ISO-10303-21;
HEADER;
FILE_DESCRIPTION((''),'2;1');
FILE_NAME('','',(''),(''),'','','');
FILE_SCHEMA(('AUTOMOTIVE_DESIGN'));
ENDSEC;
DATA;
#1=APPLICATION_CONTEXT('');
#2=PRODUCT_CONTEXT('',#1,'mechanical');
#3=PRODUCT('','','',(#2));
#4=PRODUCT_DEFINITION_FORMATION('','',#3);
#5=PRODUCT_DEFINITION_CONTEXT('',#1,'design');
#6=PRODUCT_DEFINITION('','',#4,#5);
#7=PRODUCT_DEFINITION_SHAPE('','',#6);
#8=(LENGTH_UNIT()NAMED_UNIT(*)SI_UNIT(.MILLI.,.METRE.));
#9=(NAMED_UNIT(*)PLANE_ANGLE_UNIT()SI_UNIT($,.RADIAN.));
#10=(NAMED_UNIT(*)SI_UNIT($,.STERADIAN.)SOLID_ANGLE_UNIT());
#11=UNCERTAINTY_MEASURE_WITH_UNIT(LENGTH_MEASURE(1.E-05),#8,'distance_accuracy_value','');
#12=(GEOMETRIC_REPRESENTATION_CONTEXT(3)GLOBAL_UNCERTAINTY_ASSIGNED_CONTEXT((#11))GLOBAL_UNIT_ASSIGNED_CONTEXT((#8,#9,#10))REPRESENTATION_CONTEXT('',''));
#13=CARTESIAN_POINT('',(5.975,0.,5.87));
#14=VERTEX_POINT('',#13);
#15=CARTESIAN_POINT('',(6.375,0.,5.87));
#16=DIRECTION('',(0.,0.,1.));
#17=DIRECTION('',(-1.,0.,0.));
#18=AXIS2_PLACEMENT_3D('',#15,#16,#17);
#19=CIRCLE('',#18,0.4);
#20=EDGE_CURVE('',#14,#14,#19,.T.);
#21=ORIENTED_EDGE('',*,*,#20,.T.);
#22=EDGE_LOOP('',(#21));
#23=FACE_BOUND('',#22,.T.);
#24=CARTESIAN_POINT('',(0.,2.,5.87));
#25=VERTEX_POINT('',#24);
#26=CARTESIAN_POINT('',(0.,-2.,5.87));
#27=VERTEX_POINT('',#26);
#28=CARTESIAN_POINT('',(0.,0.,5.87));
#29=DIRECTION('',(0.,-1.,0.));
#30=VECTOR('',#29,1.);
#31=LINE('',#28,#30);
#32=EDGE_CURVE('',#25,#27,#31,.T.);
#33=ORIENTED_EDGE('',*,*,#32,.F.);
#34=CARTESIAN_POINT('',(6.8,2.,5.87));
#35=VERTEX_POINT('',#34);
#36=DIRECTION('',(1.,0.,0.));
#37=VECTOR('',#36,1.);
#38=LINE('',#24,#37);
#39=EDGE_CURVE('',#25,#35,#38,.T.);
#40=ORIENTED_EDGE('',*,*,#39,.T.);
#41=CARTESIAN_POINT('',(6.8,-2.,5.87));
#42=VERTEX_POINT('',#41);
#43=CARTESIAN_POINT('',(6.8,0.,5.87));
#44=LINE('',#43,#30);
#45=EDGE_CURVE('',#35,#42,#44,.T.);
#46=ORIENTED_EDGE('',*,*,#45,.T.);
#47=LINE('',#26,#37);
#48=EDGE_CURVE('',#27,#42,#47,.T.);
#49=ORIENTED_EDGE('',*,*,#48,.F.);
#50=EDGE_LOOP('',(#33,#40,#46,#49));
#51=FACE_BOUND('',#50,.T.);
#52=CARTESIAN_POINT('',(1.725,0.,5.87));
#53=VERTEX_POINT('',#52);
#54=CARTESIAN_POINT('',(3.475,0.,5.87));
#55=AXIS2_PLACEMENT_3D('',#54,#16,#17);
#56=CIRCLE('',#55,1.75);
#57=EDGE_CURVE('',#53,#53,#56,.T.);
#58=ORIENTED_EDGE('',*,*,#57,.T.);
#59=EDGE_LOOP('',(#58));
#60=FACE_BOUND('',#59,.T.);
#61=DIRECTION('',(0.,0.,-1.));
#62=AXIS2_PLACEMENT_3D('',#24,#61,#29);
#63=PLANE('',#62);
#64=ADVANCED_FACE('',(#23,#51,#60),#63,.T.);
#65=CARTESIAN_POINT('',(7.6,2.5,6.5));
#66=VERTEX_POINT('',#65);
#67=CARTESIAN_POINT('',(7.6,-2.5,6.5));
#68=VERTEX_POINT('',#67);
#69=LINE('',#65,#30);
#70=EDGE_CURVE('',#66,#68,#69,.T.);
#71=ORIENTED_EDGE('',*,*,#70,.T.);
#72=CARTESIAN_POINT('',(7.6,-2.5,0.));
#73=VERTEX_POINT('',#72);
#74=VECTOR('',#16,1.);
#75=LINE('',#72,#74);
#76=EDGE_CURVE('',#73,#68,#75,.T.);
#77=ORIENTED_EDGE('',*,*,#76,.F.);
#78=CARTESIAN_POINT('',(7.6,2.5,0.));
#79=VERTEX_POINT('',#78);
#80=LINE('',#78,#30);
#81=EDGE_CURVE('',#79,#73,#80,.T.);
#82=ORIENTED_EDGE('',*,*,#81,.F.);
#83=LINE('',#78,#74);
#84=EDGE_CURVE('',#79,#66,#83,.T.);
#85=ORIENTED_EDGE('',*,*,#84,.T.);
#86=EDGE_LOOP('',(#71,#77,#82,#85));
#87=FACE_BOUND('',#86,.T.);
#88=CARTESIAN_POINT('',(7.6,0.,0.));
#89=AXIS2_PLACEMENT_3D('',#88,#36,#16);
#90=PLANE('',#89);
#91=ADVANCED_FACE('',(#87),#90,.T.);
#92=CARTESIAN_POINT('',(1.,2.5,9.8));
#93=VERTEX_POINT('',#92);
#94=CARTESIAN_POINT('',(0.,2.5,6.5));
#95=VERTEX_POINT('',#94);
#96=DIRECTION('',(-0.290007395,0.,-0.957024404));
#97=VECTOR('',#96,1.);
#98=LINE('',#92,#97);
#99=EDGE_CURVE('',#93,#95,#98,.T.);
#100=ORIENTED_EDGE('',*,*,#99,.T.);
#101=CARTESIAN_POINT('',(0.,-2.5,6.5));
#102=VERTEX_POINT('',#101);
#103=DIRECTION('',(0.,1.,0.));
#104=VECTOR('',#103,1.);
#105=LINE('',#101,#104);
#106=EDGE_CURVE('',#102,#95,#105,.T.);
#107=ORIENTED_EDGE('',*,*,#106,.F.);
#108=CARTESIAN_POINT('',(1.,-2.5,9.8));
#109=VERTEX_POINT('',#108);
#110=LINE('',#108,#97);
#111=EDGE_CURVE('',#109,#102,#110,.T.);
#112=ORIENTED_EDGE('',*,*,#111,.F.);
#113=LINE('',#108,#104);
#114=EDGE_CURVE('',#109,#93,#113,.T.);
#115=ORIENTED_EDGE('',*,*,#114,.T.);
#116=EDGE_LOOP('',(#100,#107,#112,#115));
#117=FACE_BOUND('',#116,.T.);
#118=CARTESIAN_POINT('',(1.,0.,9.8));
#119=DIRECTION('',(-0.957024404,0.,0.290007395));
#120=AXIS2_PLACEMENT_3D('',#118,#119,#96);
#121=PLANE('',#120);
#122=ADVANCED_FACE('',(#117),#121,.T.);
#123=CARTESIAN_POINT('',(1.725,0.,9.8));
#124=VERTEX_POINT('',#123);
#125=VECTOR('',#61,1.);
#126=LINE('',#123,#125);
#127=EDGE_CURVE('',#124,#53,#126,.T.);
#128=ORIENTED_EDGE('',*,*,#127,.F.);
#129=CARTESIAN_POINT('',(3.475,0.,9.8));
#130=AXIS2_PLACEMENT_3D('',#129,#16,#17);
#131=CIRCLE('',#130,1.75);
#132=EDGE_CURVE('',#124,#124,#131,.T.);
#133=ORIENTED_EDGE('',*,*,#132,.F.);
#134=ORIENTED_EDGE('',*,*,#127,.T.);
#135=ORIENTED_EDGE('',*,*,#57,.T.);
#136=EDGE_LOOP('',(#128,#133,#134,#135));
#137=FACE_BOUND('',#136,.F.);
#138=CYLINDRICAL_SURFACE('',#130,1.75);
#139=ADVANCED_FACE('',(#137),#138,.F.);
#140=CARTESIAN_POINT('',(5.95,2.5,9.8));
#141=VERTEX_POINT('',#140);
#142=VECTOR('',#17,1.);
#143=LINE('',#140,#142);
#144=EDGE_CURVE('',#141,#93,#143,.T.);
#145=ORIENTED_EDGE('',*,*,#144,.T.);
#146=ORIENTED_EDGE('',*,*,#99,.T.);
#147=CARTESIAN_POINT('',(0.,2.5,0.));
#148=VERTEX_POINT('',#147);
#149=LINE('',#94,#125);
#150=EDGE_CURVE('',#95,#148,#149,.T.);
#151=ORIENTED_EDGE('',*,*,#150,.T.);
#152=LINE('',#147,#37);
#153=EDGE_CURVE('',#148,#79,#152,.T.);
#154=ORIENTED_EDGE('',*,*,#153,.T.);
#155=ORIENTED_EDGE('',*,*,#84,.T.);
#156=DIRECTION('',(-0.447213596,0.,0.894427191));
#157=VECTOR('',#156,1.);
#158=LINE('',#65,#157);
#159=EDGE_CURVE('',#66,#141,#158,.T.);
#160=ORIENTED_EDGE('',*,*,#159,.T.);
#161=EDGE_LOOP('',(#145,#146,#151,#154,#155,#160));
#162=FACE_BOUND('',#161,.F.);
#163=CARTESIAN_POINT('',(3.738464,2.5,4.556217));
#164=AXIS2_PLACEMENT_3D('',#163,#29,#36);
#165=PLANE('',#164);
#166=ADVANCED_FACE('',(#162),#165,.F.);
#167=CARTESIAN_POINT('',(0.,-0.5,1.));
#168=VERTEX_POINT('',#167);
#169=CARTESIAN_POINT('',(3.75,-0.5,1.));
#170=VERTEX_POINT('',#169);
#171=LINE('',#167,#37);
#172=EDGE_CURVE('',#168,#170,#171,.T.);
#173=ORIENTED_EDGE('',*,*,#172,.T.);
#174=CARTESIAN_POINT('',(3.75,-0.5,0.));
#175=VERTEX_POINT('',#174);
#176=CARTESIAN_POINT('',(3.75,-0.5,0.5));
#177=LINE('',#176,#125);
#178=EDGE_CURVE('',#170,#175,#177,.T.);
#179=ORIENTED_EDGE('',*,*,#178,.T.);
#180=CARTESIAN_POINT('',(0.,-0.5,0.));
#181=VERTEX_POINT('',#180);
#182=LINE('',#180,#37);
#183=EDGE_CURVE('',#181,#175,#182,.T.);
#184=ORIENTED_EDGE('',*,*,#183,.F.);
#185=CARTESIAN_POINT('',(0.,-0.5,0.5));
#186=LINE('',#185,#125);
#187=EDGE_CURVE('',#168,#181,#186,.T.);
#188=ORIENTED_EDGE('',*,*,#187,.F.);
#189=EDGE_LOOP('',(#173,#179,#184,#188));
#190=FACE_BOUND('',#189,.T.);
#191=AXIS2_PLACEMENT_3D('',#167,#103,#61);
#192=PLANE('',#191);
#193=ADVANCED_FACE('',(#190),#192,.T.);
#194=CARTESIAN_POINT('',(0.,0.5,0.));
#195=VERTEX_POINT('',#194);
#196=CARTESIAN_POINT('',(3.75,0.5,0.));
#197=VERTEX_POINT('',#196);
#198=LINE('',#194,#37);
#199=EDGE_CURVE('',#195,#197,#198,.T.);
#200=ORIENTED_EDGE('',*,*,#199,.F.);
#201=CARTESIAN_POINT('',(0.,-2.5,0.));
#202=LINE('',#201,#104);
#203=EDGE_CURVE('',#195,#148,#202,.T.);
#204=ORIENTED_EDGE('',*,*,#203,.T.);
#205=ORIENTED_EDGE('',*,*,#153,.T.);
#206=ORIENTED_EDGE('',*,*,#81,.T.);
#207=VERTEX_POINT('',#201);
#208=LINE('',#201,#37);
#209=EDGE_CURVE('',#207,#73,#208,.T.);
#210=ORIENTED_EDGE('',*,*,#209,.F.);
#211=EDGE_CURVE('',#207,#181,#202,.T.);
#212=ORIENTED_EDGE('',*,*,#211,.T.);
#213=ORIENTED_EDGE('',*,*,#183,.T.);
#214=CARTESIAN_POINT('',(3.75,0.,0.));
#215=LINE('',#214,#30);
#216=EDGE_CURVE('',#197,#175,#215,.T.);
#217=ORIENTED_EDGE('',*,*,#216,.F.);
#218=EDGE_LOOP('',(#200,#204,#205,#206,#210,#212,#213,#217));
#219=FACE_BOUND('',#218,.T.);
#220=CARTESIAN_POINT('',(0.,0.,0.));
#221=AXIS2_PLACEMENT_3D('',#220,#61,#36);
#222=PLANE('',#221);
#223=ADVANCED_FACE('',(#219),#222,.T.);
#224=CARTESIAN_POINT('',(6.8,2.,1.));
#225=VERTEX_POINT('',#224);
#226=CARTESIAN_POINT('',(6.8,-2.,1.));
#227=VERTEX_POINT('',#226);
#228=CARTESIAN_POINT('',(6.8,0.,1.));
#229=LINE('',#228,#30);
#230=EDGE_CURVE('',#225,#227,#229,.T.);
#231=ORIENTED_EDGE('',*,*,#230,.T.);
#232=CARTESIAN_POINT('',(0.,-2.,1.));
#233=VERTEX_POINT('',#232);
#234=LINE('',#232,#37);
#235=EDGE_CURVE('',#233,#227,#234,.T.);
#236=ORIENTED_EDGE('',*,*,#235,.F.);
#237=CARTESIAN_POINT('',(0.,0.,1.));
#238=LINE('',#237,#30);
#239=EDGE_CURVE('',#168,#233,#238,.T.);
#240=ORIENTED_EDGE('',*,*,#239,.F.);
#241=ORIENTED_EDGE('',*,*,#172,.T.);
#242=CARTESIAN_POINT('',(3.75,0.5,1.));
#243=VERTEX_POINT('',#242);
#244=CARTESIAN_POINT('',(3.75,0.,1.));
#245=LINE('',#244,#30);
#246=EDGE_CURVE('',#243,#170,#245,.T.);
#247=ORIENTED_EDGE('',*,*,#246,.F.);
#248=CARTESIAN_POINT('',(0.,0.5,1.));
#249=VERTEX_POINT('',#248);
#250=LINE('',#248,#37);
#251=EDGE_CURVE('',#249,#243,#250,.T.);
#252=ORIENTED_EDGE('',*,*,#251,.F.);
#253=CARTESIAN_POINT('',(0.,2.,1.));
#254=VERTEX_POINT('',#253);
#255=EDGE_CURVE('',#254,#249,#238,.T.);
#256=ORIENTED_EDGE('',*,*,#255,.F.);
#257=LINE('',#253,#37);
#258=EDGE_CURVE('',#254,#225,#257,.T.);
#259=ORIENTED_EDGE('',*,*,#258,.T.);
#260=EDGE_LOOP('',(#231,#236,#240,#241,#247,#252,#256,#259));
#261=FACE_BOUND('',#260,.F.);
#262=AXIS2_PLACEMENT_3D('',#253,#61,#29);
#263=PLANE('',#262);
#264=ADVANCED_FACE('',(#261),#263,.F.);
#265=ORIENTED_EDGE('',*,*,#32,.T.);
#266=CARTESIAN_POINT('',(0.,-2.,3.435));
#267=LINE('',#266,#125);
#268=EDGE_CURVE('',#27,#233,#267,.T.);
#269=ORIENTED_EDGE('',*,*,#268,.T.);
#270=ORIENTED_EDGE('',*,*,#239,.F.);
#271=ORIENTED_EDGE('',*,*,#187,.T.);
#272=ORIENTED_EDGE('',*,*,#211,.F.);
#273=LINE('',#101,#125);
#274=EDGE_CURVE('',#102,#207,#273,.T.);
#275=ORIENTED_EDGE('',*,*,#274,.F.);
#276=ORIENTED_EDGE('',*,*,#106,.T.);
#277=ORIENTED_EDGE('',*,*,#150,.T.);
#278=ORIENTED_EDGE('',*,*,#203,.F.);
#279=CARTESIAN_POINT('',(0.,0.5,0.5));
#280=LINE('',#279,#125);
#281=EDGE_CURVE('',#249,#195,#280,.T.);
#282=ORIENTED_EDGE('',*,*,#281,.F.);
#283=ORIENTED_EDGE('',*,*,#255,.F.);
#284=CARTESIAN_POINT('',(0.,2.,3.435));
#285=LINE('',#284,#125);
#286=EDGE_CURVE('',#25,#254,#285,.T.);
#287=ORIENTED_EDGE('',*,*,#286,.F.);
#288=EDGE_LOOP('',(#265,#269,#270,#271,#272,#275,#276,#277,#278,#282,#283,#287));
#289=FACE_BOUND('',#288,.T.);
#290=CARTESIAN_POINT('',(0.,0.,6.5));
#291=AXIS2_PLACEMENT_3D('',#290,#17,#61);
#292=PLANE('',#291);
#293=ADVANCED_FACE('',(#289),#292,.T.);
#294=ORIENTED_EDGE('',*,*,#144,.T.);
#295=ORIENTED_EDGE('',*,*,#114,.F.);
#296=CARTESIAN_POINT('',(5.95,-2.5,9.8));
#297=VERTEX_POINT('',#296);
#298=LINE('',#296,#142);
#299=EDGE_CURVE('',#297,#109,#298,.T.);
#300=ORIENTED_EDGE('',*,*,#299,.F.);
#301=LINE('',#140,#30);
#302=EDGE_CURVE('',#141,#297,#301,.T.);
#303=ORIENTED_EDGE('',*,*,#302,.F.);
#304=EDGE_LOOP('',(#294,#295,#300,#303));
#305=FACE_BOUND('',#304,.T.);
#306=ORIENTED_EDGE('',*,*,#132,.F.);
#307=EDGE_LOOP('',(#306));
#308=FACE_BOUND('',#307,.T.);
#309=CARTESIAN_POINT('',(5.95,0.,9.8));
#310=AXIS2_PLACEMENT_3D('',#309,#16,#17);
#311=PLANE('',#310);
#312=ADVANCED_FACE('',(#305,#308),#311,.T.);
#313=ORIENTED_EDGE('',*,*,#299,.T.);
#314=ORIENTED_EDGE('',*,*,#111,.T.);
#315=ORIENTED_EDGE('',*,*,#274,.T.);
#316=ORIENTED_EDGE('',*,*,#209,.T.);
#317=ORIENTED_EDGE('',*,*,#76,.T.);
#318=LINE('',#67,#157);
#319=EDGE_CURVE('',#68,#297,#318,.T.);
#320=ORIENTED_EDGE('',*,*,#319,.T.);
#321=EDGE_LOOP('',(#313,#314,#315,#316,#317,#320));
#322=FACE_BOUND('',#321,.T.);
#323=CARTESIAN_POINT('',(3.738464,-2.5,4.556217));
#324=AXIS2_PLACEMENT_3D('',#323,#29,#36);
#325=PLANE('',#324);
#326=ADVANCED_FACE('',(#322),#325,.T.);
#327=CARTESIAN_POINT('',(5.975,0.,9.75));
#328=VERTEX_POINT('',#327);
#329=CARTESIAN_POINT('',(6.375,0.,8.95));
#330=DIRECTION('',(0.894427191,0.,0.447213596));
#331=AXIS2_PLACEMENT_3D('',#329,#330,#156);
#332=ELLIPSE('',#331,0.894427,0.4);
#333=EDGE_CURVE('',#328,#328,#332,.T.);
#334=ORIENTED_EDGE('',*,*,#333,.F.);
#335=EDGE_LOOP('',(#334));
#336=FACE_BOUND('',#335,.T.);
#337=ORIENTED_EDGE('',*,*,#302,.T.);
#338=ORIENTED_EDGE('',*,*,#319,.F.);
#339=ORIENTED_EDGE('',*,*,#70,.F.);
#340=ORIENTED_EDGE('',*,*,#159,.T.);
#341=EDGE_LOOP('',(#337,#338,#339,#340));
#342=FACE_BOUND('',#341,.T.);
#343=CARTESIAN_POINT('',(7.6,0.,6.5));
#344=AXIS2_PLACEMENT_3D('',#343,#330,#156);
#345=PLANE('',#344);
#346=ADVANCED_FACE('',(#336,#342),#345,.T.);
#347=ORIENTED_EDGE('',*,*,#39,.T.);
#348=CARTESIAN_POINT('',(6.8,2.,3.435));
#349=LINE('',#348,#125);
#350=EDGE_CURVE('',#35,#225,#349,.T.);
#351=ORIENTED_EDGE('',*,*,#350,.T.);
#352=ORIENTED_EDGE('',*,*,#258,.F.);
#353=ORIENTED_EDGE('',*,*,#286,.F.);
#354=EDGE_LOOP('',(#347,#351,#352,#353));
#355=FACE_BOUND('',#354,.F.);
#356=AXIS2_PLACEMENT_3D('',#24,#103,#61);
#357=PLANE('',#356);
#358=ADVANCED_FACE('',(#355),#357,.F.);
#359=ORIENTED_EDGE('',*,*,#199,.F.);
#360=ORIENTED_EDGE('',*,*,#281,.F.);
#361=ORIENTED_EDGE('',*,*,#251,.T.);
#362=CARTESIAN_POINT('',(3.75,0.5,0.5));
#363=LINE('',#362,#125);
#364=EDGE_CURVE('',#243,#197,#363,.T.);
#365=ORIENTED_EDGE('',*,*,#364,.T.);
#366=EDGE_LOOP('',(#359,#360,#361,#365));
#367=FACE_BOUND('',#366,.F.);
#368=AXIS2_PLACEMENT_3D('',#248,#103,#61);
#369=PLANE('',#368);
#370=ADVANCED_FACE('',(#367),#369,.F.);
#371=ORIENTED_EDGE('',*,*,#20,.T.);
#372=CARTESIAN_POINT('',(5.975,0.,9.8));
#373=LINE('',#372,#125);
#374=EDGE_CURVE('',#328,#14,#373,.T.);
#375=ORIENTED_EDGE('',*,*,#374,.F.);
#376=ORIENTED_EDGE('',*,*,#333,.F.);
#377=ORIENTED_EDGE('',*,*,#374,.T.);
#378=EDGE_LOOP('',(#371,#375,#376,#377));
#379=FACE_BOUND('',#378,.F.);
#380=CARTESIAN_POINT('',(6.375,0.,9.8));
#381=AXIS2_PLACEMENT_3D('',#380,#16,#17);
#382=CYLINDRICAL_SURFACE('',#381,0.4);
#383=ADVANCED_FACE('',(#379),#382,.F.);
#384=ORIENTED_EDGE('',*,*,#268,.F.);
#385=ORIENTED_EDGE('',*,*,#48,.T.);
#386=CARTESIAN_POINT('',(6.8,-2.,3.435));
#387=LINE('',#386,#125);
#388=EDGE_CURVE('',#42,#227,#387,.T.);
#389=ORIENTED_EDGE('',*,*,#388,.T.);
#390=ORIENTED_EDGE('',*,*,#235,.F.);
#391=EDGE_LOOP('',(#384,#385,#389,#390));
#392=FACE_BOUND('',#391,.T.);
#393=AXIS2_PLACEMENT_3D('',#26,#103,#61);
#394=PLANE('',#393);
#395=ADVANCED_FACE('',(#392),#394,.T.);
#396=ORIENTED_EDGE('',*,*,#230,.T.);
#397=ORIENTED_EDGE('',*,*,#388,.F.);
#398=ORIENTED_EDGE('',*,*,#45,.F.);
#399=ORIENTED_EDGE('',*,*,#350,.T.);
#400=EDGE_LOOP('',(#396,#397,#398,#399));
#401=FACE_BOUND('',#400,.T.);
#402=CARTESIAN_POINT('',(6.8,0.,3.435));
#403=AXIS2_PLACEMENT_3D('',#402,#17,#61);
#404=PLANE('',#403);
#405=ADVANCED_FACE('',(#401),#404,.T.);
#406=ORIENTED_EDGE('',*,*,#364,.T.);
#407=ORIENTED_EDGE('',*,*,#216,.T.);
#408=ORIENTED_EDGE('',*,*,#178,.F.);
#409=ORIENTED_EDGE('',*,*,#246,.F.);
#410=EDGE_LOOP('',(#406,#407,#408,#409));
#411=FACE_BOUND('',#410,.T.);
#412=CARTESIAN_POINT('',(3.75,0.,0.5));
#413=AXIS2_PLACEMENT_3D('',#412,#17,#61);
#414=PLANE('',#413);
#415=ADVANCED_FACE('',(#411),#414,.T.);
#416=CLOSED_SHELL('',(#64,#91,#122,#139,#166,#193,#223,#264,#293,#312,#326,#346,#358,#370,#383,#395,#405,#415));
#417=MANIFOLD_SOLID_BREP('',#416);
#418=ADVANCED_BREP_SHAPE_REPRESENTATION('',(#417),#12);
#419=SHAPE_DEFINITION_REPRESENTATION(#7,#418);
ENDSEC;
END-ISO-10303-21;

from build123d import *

# Parameters (mm, degrees)
PAD001_DEPTH    = 2.5
SKETCH003_W     = 1
SKETCH003_H     = 1
POCKET_DEPTH    = 3.75
SKETCH004_W     = 4.87
SKETCH004_H     = 4
POCKET001_DEPTH = 6.8
SKETCH005_R     = 1.75
SKETCH005_R_2   = 0.4
POCKET002_DEPTH = 5


with BuildPart() as part:
    # Sketch002 → Pad001 (new body, symmetric)
    with BuildSketch(Plane.XZ):
        Polygon((0, 0), (7.6, 0), (7.6, 6.5), (5.95, 9.8), (1, 9.8), (0, 6.5), align=None)
    extrude(amount=PAD001_DEPTH, both=True)

    # Sketch003 (on Face6 of Pad001) → Pocket (cut)
    with BuildSketch(Plane(origin=(0, 0, 0), x_dir=(0, 0, -1), z_dir=(-1, 0, 0))):
        with Locations((-0.5, 0)):
            Rectangle(SKETCH003_W, SKETCH003_H)
    extrude(amount=-POCKET_DEPTH, mode=Mode.SUBTRACT)

    # Sketch004 (on Face5 of Pocket) → Pocket001 (cut)
    with BuildSketch(Plane(origin=(0, 0, 0), x_dir=(0, 0, -1), z_dir=(-1, 0, 0))):
        with Locations((-3.435, 0)):
            Rectangle(SKETCH004_W, SKETCH004_H)
    extrude(amount=-POCKET001_DEPTH, mode=Mode.SUBTRACT)

    # Sketch005 (on Face10 of Pocket001) → Pocket002 (cut)
    with BuildSketch(Plane(origin=(0, 0, 9.8), x_dir=(-1, 0, 0), z_dir=(0, 0, 1))):
        with Locations((-3.475, 0)):
            Circle(SKETCH005_R)
        with Locations((-6.375, 0)):
            Circle(SKETCH005_R_2)
    extrude(amount=-POCKET002_DEPTH, mode=Mode.SUBTRACT)


solid = part.part
